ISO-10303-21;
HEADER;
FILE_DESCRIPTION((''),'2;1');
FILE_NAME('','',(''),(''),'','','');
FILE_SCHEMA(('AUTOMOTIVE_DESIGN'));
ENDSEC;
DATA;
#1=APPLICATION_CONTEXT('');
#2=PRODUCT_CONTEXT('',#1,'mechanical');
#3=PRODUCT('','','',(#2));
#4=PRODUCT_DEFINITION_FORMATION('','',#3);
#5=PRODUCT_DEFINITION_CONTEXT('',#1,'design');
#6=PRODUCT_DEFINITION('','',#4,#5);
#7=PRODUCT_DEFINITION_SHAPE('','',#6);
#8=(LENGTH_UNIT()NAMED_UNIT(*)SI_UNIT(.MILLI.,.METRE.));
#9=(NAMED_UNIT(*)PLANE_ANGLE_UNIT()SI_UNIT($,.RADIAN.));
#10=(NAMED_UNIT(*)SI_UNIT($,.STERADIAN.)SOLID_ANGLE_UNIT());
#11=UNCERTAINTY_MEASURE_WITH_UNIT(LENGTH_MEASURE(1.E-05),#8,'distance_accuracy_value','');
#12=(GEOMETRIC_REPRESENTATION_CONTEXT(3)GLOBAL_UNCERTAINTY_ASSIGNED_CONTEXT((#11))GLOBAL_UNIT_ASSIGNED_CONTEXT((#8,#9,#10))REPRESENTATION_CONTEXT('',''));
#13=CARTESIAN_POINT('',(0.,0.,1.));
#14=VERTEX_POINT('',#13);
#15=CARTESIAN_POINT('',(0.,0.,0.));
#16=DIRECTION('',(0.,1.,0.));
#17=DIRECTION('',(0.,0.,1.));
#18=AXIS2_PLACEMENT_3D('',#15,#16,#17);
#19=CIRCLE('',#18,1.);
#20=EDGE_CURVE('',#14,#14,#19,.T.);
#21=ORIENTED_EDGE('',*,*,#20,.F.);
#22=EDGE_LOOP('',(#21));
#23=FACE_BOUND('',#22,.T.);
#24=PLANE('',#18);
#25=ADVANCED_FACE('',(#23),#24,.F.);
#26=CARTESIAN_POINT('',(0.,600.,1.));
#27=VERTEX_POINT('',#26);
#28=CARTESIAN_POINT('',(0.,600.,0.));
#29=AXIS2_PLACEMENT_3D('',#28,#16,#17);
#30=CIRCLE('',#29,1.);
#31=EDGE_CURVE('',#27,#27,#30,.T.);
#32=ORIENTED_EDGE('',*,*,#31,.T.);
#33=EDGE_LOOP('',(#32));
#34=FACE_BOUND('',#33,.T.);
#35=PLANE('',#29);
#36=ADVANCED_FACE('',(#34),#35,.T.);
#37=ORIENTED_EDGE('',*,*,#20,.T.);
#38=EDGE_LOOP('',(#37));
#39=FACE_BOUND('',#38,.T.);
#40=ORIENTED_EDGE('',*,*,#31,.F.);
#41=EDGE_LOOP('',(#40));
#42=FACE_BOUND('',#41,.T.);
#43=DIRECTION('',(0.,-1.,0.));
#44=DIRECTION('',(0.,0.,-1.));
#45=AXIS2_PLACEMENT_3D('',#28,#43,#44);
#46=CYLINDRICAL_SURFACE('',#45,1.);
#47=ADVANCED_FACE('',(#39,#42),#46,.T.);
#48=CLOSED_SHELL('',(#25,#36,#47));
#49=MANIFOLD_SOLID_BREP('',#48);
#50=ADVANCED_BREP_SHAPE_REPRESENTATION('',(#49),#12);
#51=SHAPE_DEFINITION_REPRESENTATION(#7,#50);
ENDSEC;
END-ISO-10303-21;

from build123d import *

# Parameters (mm, degrees)
SKIZZE1_R                       = 1
AUFSATZ_LINEAR_AUSTRAGEN1_DEPTH = 600


with BuildPart() as part:
    # Skizze1 → Aufsatz-Linear austragen1 (new body)
    with BuildSketch(Plane(origin=(0, 0, 0), x_dir=(1, 0, 0), z_dir=(0, 1, 0))):
        Circle(SKIZZE1_R)
    extrude(amount=AUFSATZ_LINEAR_AUSTRAGEN1_DEPTH)


solid = part.part
